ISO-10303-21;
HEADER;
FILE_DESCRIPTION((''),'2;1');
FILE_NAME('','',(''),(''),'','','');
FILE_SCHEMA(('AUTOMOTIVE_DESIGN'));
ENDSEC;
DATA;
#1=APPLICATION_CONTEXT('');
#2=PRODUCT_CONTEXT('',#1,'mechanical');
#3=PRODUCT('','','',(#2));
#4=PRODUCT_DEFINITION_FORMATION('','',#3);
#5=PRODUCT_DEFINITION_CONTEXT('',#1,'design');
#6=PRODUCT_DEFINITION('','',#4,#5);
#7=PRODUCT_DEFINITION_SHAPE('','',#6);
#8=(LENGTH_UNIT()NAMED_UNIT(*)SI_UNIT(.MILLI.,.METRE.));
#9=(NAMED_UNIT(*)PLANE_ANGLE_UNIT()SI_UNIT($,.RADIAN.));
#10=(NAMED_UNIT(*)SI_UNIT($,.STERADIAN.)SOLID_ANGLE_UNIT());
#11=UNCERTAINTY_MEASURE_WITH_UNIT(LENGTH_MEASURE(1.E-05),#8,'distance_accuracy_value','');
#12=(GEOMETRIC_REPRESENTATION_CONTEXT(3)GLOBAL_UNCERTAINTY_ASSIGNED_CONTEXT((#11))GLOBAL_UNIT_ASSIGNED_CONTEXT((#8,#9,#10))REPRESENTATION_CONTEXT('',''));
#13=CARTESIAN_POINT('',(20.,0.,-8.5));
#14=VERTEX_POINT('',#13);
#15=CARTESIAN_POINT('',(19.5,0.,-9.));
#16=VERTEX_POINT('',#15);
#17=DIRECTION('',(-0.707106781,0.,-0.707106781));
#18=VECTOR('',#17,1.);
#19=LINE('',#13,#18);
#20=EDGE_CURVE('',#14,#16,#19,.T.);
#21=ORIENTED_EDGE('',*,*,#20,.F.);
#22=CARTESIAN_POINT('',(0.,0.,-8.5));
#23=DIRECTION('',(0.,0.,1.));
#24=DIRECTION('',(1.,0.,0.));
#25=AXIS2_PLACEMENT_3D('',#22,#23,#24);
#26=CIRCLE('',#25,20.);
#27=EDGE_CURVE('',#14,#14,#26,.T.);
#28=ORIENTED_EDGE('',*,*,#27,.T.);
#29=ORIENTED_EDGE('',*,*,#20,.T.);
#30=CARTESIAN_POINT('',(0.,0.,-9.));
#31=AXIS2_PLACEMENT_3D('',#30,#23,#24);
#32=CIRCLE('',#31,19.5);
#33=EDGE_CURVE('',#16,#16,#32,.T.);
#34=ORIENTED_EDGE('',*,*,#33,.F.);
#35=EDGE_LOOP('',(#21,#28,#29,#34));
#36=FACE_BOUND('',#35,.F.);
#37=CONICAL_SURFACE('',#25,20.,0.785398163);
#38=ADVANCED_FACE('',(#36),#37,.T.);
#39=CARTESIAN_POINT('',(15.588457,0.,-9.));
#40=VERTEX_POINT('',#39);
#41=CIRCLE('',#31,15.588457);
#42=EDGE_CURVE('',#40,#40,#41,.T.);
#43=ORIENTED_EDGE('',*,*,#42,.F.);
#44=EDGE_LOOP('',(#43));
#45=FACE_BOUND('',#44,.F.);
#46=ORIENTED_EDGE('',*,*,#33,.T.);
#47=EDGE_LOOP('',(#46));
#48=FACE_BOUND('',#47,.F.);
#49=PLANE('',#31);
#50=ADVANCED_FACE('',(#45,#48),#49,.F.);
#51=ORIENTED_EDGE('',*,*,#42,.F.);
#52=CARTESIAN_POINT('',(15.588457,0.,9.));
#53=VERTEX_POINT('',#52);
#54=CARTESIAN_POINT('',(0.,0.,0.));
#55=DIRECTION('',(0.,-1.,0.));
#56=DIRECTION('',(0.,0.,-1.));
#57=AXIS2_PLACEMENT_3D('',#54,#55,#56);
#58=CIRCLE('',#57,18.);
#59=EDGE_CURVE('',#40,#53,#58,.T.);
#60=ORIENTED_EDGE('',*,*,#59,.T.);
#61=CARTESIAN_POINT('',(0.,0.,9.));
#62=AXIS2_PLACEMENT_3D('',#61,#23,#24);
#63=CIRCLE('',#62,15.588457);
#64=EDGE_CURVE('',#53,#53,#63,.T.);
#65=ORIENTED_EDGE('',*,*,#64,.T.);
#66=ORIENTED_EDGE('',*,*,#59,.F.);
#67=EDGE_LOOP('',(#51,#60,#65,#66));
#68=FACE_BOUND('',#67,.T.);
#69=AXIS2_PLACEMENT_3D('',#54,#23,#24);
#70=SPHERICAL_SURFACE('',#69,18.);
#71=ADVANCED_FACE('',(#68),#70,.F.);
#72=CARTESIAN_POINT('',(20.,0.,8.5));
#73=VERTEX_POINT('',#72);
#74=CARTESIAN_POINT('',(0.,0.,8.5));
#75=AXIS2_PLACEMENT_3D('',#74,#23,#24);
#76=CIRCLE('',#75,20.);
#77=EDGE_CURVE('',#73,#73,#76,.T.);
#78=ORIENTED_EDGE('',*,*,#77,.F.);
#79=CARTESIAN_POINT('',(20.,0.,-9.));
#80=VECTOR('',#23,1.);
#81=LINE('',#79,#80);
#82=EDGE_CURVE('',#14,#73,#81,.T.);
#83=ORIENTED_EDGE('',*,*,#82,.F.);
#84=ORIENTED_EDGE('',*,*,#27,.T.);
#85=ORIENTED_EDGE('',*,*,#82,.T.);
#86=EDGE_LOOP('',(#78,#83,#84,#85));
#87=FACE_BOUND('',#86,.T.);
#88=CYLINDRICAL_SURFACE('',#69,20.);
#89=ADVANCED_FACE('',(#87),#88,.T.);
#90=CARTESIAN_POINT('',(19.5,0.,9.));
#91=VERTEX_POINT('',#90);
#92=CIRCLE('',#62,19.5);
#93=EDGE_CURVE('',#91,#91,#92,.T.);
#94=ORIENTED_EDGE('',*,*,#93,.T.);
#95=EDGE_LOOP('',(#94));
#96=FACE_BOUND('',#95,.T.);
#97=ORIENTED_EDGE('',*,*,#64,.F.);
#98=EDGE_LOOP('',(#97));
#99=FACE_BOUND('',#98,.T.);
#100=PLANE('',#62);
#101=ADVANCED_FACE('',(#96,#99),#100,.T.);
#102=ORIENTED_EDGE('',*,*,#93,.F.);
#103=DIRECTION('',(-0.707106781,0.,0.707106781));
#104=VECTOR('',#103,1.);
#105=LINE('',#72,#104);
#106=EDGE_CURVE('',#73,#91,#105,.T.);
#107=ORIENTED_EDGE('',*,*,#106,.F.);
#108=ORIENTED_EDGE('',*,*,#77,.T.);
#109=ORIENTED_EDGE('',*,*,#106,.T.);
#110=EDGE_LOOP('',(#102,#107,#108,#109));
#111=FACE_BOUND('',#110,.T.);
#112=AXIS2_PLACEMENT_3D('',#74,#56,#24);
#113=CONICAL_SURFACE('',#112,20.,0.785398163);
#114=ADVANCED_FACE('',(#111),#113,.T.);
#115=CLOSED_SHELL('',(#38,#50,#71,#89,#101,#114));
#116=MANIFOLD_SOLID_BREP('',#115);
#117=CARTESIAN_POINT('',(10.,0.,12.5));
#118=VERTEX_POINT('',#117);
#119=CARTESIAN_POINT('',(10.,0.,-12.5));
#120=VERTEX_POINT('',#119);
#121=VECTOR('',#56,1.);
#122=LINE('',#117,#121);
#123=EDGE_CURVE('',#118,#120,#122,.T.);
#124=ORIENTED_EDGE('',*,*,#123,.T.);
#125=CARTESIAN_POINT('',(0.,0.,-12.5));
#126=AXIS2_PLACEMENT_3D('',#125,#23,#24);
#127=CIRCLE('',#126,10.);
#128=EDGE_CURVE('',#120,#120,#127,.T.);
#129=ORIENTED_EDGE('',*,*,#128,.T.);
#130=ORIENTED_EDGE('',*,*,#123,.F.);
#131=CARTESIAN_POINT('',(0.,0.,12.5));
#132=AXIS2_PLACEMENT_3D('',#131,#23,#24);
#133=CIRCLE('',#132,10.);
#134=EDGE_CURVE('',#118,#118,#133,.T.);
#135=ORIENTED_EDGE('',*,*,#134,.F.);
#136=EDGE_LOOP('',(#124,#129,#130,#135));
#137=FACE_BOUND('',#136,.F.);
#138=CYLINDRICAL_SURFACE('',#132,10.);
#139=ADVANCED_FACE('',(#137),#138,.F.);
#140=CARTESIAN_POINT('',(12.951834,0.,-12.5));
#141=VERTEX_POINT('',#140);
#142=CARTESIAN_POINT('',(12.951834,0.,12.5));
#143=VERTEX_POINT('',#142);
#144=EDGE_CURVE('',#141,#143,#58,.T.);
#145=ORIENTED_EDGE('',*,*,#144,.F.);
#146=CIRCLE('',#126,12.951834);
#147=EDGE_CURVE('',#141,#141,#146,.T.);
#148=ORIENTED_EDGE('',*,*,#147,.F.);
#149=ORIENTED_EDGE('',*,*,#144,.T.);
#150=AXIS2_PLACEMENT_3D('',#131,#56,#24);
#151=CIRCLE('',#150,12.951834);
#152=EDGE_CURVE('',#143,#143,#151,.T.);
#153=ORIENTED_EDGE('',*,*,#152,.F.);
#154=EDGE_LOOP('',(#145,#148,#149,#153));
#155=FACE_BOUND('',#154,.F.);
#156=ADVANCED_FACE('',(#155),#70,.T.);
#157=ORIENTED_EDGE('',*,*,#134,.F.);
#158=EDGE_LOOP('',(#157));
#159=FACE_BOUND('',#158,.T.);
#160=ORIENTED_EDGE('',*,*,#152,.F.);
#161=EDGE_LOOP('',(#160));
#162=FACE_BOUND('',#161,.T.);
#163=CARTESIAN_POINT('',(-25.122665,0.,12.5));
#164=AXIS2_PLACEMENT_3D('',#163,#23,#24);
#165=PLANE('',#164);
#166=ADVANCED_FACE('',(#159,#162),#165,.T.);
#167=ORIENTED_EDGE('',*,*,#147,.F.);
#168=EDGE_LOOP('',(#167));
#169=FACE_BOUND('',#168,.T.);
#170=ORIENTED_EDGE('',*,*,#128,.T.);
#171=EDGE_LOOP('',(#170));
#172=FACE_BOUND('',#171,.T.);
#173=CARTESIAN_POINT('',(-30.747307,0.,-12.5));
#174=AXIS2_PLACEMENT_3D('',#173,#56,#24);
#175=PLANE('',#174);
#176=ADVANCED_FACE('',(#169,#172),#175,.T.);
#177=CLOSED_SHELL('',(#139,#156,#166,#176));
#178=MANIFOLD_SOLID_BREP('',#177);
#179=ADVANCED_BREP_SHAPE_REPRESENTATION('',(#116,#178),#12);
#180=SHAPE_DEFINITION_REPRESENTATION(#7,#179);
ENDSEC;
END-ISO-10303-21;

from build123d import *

# Parameters (mm, degrees)
F0_R          = 20
F1_DEPTH      = 9
F5_W          = 61.494613611
F5_H          = 42.5213627827
F5_W_2        = 50.2453296907
F5_H_2        = 22.91888696
F6_DEPTH      = 20.001
F6_DEPTH_BACK = 20.001
F7_R          = 10
F8_DEPTH      = 25.001
F9_SIZE       = 0.5


with BuildPart() as f1:
    # F0 (on Top) → F1 (new body, symmetric)
    with BuildSketch(Plane.XY):
        Circle(F0_R)
    extrude(amount=F1_DEPTH, both=True)

    # F2 (on Front) → F3 (revolve, cut)
    with BuildSketch(Plane.XZ):
        with BuildLine():
            Line((0, 18), (0, -18))
            ThreePointArc((0, -18), (18, 0), (0, 18))
        make_face()
    revolve(axis=Axis((0, 0, -3.5514803869), (0, 0, -1)), mode=Mode.SUBTRACT)

    # F9
    f9_edges = [f1.edges().sort_by_distance(p)[0] for p in [
        (-20, 0, 9),
        (-20, 0, -9),
    ]]
    chamfer(f9_edges, length=F9_SIZE)


with BuildPart() as f4:
    # F2 (on Front) → F4 (revolve)
    with BuildSketch(Plane.XZ):
        with BuildLine():
            Line((0, 18), (0, -18))
            ThreePointArc((0, -18), (18, 0), (0, 18))
        make_face()
    revolve(axis=Axis((0, 0, -3.5514803869), (0, 0, -1)))

    # F5 (on Front) → F6 (cut, two sides)
    with BuildSketch(Plane.XZ) as f6_sk:
        with Locations((0, -33.7606813913)):
            Rectangle(F5_W, F5_H)
        with Locations((0, 23.95944348)):
            Rectangle(F5_W_2, F5_H_2)
    extrude(amount=-F6_DEPTH, mode=Mode.SUBTRACT)
    extrude(f6_sk.sketch, amount=F6_DEPTH_BACK, mode=Mode.SUBTRACT)

    # F7 (on face) → F8 (cut, through all)
    with BuildSketch(Plane.XY.offset(12.5)):
        Circle(F7_R)
    extrude(amount=-F8_DEPTH, mode=Mode.SUBTRACT)


solid = Compound([f1.part, f4.part])
